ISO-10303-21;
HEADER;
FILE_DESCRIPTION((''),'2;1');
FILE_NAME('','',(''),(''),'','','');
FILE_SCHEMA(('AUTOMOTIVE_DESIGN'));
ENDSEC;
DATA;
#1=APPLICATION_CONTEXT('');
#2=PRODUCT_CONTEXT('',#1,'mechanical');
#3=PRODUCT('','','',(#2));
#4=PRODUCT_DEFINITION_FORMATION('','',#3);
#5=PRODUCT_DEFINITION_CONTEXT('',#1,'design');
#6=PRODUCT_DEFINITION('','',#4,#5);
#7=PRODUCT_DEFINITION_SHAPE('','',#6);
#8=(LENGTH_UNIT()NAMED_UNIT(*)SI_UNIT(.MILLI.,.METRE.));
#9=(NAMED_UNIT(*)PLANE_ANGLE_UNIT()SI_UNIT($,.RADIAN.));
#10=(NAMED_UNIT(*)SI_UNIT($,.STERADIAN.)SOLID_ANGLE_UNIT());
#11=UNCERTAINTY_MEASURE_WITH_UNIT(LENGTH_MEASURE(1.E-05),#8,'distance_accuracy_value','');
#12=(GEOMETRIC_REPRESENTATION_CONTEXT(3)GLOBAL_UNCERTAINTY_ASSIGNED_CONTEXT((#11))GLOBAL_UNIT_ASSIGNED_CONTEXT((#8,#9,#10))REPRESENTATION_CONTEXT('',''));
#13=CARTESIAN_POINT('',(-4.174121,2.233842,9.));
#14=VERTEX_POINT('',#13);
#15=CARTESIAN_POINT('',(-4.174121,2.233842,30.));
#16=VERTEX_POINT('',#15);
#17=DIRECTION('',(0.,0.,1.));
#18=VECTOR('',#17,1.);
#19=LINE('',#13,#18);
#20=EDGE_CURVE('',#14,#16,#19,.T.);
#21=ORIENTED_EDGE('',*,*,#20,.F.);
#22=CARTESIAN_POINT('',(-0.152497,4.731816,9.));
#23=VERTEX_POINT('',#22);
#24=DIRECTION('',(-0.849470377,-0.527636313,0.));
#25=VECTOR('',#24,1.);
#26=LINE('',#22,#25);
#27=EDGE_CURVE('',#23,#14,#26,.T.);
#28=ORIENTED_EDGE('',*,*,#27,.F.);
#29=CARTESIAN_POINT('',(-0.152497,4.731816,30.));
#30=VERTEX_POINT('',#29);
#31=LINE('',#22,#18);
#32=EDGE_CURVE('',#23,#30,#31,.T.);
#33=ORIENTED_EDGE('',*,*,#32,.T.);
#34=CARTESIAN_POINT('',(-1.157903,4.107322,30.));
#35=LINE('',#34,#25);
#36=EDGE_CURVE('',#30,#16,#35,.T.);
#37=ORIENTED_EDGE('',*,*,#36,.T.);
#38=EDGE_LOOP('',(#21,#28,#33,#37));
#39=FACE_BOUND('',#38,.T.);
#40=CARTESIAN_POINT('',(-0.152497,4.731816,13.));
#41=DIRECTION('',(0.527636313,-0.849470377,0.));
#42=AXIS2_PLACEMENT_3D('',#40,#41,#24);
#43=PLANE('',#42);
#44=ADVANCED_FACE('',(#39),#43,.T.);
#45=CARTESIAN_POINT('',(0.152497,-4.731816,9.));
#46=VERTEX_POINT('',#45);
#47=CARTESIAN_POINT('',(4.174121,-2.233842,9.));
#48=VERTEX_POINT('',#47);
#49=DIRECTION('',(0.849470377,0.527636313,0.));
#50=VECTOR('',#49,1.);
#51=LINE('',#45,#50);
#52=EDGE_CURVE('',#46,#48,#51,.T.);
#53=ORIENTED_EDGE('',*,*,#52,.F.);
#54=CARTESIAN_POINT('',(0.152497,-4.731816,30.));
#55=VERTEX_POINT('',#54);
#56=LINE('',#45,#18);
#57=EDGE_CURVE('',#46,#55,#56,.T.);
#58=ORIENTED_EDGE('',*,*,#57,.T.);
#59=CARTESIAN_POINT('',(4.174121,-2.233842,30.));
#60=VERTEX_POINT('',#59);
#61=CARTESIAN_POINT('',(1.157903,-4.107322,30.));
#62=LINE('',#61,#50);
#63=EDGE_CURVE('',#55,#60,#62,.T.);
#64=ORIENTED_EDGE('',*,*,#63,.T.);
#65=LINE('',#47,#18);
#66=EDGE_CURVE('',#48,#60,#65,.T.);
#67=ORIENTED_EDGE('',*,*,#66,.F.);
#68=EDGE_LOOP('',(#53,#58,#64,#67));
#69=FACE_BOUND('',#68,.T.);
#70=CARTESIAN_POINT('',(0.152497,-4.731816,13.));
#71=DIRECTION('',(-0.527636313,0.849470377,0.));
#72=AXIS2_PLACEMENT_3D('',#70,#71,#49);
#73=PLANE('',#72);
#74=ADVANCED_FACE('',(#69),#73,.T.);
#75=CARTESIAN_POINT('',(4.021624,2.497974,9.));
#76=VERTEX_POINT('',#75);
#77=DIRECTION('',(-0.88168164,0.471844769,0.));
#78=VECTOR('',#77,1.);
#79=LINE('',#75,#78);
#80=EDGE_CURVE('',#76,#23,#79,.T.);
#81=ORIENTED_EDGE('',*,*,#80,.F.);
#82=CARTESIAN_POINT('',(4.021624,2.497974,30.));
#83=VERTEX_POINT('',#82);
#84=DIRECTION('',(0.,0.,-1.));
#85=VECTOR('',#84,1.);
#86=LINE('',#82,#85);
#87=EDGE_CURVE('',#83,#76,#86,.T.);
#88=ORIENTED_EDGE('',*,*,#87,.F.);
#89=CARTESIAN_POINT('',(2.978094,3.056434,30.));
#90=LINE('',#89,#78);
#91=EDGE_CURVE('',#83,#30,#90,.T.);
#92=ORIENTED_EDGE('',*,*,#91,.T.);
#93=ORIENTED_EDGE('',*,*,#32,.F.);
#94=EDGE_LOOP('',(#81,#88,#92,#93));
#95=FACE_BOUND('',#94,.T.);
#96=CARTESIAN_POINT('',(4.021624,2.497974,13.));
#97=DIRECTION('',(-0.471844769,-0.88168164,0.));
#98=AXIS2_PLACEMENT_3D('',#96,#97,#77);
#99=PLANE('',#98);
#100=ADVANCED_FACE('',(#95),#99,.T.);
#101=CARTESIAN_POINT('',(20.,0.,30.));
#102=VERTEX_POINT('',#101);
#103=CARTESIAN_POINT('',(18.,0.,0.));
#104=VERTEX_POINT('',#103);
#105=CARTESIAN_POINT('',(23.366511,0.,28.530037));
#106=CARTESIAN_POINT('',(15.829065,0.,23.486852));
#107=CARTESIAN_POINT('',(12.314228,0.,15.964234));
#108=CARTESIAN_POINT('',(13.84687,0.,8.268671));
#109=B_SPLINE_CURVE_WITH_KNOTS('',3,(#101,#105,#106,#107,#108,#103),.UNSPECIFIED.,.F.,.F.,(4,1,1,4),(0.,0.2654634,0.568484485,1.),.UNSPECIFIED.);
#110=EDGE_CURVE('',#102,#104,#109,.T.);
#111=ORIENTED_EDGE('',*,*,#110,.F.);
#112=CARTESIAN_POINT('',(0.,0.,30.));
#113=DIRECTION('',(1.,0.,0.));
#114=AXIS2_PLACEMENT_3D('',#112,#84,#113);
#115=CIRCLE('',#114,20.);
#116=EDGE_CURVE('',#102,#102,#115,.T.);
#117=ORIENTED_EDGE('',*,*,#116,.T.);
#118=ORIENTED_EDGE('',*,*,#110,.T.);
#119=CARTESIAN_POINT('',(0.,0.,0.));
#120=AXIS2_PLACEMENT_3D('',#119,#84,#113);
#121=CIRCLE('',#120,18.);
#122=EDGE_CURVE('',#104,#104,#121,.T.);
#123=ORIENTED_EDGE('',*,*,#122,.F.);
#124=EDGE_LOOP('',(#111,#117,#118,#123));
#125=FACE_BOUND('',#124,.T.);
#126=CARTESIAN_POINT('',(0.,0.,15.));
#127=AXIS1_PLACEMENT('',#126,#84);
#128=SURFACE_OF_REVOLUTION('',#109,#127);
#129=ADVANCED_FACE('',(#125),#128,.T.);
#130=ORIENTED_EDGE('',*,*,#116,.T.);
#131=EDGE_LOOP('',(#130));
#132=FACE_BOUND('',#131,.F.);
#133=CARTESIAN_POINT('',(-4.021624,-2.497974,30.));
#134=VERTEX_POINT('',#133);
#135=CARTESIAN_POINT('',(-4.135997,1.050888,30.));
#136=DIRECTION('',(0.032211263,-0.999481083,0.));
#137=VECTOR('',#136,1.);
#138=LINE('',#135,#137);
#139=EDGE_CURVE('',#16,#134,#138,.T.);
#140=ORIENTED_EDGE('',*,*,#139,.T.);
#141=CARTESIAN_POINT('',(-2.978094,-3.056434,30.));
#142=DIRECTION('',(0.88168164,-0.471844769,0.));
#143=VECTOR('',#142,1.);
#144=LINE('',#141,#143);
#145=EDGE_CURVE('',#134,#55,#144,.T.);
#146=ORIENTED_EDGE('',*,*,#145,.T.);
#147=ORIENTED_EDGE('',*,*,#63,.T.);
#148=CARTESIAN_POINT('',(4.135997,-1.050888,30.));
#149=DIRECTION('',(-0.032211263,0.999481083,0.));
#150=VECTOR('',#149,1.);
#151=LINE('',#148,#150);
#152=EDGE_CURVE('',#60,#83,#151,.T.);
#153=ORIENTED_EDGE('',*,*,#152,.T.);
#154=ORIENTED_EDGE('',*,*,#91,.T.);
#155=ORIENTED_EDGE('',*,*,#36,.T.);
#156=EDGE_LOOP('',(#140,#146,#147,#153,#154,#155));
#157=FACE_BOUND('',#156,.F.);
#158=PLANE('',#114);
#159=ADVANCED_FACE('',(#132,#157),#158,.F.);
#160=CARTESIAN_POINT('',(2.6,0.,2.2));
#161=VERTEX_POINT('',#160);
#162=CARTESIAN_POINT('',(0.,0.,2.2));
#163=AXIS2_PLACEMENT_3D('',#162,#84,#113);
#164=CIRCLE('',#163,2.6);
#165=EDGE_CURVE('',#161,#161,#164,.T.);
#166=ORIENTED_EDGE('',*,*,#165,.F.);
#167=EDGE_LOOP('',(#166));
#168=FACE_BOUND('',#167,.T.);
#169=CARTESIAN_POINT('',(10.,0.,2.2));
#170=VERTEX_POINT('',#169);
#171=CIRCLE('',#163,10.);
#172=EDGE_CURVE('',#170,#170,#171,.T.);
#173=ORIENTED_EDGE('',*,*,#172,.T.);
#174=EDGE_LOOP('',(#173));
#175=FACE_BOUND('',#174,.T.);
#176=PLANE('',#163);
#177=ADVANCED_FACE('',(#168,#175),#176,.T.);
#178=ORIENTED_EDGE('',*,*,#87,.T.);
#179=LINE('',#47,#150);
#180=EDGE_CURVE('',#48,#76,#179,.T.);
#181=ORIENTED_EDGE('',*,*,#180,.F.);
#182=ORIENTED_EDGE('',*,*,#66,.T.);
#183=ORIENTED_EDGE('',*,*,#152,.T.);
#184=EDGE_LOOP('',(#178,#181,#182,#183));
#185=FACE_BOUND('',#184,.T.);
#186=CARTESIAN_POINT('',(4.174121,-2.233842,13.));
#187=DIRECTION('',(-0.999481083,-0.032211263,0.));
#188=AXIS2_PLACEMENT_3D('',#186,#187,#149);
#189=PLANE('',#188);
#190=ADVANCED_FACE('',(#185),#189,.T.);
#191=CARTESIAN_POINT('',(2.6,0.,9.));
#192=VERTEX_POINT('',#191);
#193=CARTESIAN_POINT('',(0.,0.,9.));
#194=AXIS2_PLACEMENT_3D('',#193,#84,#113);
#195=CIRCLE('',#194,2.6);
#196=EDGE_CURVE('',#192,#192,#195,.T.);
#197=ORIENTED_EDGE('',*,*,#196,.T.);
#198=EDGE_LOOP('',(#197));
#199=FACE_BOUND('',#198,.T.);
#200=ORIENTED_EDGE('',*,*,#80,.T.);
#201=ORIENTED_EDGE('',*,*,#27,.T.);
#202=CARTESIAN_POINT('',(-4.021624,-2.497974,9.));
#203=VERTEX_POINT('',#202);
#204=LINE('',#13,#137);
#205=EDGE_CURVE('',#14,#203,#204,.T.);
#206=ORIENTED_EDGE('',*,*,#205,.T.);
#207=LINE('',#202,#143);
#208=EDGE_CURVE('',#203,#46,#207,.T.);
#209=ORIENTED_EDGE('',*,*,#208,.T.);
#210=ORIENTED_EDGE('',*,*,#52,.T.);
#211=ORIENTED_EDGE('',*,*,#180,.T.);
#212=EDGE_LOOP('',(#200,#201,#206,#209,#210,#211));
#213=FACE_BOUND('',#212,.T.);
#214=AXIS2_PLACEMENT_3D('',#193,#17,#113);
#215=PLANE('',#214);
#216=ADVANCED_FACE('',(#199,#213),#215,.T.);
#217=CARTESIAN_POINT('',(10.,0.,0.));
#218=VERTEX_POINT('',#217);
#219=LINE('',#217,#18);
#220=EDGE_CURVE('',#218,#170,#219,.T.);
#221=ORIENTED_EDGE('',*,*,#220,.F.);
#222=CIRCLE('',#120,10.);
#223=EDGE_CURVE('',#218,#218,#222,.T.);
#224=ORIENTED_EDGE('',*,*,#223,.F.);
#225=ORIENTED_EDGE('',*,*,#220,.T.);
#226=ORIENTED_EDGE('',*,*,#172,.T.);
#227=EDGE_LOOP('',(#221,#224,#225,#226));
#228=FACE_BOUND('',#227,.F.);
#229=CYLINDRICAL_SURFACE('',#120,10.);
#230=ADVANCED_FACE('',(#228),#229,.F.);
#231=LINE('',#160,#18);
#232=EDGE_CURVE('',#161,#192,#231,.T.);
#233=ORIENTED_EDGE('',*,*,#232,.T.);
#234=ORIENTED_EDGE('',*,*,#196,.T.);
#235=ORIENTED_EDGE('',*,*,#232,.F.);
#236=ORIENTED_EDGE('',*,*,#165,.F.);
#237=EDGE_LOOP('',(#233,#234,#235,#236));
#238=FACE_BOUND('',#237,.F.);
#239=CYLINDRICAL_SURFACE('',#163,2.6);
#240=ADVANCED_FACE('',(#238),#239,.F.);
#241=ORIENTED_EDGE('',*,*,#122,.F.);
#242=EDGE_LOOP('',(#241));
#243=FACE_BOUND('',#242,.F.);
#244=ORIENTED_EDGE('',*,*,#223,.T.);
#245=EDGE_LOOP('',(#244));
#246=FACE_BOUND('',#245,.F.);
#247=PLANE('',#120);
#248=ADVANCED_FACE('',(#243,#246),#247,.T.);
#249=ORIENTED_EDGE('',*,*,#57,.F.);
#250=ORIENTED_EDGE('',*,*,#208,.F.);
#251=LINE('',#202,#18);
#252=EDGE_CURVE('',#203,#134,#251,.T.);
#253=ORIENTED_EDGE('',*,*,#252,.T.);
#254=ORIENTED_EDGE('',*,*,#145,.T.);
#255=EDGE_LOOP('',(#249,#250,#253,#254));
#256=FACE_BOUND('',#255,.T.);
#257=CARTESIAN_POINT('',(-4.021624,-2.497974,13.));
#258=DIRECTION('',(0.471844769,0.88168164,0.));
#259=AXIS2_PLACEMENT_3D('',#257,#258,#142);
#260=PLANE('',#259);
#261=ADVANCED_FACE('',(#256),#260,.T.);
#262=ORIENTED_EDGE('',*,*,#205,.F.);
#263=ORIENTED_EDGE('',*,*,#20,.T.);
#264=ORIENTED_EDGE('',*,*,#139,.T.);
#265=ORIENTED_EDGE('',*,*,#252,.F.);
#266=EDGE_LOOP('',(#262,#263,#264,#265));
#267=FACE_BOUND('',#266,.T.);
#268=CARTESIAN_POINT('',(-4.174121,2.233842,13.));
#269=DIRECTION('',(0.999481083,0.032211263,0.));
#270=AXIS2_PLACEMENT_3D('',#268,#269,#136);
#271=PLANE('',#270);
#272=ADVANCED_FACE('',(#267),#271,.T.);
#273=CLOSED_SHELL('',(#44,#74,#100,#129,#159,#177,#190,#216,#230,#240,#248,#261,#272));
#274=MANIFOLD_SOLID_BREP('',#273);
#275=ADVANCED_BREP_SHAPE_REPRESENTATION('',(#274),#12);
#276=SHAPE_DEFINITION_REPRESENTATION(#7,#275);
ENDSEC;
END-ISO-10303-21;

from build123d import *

# Parameters (mm, degrees)
F2_R          = 10
F3_DEPTH      = 2.2
F4_R          = 2.6
F5_DEPTH      = 27.8010001
F8_DEPTH      = 4
F8_DEPTH_BACK = 25


with BuildPart() as f1:
    # F0 (on Front) → F1 (revolve)
    with BuildSketch(Plane.XZ):
        with BuildLine():
            Line((0, 30), (0, 0))
            Line((0, 0), (18, 0))
            add(Edge.make_bspline(
                [(20, 30), (23.3665107807, 28.5300366312), (15.8290646793, 23.4868524752), (12.3142279703, 15.9642343157), (13.8468699499, 8.2686705737), (18, 0)],
                knots=[0, 0, 0, 0, 0.2654633996, 0.5684844846, 1, 1, 1, 1], degree=3))
            Line((20, 30), (0, 30))
        make_face()
    revolve(axis=Axis((0, 0, 15), (0, 0, -1)))

    # F2 (on face) → F3 (cut)
    with BuildSketch(Plane(origin=(0, 0, 0), x_dir=(1, 0, 0), z_dir=(0, 0, -1))):
        Circle(F2_R)
    extrude(amount=-F3_DEPTH, mode=Mode.SUBTRACT)

    # F4 (on face) → F5 (cut, through all)
    with BuildSketch(Plane(origin=(0, 0, 2.2), x_dir=(1, 0, 0), z_dir=(0, 0, -1))):
        Circle(F4_R)
    extrude(amount=-F5_DEPTH, mode=Mode.SUBTRACT)

    # F7 (on offset) → F8 (cut, two sides)
    with BuildSketch(Plane.XY.offset(13)) as f8_sk:
        Polygon((4.0216239956, 2.4979739332), (-0.1524968863, 4.7318155113), (-4.174120882, 2.2338415781), (-4.0216239956, -2.4979739332), (0.1524968863, -4.7318155113), (4.174120882, -2.2338415781), align=None)
    extrude(amount=-F8_DEPTH, mode=Mode.SUBTRACT)
    extrude(f8_sk.sketch, amount=F8_DEPTH_BACK, mode=Mode.SUBTRACT)


solid = f1.part
